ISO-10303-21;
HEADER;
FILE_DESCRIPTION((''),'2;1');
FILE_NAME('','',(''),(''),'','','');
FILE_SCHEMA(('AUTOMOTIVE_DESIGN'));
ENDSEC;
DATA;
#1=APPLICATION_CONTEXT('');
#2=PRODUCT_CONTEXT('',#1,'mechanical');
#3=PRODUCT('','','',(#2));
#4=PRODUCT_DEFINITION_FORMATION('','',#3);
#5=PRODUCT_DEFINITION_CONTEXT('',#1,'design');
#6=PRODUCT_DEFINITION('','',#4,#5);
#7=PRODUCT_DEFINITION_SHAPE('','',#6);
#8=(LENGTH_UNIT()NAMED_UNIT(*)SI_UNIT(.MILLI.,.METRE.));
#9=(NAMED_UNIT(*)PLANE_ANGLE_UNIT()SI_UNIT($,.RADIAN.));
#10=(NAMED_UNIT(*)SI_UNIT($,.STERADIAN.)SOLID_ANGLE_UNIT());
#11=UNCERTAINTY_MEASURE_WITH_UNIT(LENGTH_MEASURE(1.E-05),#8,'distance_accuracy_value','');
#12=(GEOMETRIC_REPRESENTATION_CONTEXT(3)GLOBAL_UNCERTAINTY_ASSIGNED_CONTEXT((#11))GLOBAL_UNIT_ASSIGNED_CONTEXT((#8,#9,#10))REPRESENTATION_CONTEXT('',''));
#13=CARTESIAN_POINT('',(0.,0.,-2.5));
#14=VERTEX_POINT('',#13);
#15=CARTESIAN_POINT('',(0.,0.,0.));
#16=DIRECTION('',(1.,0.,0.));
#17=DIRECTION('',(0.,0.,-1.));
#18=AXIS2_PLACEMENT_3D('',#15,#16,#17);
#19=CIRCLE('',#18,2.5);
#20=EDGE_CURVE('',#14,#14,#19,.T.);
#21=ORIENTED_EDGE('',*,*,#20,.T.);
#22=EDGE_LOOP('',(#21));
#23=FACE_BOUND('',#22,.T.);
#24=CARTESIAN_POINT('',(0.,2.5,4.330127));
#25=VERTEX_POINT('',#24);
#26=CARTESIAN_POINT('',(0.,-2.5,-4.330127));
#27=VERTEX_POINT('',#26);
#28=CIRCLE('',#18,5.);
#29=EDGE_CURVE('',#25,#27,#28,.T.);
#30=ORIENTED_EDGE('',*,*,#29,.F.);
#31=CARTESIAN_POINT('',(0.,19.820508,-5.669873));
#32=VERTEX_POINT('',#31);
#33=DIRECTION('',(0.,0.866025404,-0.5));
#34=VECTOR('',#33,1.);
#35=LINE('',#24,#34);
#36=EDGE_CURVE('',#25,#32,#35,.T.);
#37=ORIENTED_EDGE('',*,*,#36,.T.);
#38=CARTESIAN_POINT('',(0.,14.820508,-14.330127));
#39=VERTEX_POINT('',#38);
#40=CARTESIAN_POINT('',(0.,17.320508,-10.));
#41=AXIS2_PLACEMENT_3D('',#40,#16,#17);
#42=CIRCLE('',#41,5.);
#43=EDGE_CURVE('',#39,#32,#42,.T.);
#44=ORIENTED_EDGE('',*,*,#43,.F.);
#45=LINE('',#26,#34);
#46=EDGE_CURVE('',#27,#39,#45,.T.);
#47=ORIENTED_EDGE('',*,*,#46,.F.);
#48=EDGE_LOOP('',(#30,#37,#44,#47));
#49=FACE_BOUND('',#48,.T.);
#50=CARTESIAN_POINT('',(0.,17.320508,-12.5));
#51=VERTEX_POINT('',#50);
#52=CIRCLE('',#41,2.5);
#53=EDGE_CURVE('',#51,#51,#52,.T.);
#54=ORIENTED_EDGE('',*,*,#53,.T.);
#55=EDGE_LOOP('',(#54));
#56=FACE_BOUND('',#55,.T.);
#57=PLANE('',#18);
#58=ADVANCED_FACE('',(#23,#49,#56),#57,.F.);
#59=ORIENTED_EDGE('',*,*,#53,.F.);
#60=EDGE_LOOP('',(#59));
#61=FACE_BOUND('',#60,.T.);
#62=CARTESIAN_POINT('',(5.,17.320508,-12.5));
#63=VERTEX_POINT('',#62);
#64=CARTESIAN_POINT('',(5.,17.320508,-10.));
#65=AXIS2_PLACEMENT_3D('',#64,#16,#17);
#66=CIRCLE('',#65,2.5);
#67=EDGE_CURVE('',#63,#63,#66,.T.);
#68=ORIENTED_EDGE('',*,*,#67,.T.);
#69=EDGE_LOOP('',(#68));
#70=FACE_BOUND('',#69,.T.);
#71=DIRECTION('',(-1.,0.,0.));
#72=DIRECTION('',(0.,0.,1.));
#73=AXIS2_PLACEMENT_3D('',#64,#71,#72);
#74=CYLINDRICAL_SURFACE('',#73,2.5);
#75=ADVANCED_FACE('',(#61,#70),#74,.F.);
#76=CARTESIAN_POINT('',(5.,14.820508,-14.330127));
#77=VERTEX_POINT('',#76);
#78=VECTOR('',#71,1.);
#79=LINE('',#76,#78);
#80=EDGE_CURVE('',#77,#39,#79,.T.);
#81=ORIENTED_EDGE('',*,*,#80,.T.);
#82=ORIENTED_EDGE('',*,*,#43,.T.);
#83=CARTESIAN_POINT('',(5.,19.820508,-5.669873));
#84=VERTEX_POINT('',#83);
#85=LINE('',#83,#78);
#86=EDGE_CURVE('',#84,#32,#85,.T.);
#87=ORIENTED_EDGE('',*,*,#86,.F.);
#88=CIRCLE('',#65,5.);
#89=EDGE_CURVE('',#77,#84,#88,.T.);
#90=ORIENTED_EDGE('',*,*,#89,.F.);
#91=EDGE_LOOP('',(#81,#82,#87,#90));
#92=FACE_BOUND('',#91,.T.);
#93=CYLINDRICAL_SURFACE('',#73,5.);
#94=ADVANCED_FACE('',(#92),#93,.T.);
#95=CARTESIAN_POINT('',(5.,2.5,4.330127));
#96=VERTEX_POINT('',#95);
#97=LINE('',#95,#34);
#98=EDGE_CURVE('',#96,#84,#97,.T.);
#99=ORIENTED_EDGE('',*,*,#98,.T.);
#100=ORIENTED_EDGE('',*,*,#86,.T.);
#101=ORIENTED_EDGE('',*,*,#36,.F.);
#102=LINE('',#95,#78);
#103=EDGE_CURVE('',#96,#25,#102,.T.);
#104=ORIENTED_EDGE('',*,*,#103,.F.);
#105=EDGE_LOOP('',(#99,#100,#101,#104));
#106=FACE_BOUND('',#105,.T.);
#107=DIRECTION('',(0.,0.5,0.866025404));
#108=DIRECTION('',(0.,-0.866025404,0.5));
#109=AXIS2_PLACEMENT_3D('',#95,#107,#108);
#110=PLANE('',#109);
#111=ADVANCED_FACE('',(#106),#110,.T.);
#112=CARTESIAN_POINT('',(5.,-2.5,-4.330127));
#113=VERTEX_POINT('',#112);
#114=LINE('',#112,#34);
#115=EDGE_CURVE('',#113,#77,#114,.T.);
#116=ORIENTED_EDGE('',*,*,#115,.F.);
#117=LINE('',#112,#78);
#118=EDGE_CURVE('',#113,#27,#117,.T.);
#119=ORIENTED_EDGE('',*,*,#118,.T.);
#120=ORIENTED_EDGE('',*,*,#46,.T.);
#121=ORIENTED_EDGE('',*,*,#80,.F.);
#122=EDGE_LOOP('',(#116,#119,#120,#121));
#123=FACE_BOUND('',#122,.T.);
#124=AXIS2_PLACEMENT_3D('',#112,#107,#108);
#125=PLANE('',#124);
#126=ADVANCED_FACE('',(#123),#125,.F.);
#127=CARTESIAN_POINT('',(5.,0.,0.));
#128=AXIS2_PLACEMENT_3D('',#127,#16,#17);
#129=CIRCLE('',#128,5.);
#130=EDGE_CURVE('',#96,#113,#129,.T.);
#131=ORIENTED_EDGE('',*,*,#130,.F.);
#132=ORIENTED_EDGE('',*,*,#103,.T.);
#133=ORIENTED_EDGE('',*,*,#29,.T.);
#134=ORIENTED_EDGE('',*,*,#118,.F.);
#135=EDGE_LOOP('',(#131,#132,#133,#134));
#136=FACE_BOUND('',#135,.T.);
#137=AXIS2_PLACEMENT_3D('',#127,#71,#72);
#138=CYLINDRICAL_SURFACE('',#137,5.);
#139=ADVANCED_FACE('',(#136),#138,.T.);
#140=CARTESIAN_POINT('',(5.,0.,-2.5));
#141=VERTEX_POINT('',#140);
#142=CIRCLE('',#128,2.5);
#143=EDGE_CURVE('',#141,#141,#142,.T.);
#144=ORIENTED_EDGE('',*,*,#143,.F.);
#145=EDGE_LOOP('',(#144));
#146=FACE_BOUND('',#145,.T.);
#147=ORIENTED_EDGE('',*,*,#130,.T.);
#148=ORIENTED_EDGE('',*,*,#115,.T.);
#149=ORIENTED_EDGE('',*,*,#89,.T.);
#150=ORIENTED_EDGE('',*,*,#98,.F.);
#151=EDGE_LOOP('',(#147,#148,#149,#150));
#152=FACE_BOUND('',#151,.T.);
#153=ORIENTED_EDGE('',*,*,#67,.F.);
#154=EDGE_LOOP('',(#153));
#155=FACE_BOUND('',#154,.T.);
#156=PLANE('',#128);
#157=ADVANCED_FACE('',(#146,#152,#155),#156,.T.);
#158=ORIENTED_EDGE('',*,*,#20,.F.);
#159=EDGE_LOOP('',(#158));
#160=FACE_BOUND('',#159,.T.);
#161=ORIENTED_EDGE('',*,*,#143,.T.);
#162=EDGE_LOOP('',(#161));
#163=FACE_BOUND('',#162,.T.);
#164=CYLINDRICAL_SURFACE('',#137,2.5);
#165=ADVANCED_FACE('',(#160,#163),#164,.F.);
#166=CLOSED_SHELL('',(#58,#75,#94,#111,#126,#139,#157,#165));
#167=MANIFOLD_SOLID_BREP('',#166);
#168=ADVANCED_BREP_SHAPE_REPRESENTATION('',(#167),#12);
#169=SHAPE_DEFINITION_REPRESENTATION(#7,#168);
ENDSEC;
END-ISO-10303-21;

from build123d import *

# Parameters (mm, degrees)
SKETCH1_R           = 5
SKETCH1_R_2         = 2.5
BOSS_EXTRUDE1_DEPTH = 5


with BuildPart() as part:
    # Sketch1 → Boss-Extrude1 (new body)
    # profile 1 of 3: a face of its own
    with BuildSketch(Plane(origin=(0, 0, 0), x_dir=(0, 0, -1), z_dir=(1, 0, 0))):
        with BuildLine():
            Line((5.669872981, 19.820508076), (-4.330127019, 2.5))
            ThreePointArc((-4.330127019, 2.5), (1.294095226, 4.829629131), (5, 0))
            ThreePointArc((5, 0), (4.829629131, -1.294095226), (4.330127019, -2.5))
            Line((4.330127019, -2.5), (14.330127019, 14.820508076))
            ThreePointArc((14.330127019, 14.820508076), (7.5, 12.990381057), (5.669872981, 19.820508076))
        make_face()
    # profile 2 of 3: a face of its own
    with BuildSketch(Plane(origin=(0, 0, 0), x_dir=(0, 0, -1), z_dir=(1, 0, 0))):
        with Locations((10, 17.320508076)):
            Circle(SKETCH1_R)
        with Locations((10, 17.320508076)):
            Circle(SKETCH1_R_2, mode=Mode.SUBTRACT)
    # profile 3 of 3: a face of its own
    with BuildSketch(Plane(origin=(0, 0, 0), x_dir=(0, 0, -1), z_dir=(1, 0, 0))):
        Circle(SKETCH1_R)
        Circle(SKETCH1_R_2, mode=Mode.SUBTRACT)
    extrude(amount=BOSS_EXTRUDE1_DEPTH)


solid = part.part
